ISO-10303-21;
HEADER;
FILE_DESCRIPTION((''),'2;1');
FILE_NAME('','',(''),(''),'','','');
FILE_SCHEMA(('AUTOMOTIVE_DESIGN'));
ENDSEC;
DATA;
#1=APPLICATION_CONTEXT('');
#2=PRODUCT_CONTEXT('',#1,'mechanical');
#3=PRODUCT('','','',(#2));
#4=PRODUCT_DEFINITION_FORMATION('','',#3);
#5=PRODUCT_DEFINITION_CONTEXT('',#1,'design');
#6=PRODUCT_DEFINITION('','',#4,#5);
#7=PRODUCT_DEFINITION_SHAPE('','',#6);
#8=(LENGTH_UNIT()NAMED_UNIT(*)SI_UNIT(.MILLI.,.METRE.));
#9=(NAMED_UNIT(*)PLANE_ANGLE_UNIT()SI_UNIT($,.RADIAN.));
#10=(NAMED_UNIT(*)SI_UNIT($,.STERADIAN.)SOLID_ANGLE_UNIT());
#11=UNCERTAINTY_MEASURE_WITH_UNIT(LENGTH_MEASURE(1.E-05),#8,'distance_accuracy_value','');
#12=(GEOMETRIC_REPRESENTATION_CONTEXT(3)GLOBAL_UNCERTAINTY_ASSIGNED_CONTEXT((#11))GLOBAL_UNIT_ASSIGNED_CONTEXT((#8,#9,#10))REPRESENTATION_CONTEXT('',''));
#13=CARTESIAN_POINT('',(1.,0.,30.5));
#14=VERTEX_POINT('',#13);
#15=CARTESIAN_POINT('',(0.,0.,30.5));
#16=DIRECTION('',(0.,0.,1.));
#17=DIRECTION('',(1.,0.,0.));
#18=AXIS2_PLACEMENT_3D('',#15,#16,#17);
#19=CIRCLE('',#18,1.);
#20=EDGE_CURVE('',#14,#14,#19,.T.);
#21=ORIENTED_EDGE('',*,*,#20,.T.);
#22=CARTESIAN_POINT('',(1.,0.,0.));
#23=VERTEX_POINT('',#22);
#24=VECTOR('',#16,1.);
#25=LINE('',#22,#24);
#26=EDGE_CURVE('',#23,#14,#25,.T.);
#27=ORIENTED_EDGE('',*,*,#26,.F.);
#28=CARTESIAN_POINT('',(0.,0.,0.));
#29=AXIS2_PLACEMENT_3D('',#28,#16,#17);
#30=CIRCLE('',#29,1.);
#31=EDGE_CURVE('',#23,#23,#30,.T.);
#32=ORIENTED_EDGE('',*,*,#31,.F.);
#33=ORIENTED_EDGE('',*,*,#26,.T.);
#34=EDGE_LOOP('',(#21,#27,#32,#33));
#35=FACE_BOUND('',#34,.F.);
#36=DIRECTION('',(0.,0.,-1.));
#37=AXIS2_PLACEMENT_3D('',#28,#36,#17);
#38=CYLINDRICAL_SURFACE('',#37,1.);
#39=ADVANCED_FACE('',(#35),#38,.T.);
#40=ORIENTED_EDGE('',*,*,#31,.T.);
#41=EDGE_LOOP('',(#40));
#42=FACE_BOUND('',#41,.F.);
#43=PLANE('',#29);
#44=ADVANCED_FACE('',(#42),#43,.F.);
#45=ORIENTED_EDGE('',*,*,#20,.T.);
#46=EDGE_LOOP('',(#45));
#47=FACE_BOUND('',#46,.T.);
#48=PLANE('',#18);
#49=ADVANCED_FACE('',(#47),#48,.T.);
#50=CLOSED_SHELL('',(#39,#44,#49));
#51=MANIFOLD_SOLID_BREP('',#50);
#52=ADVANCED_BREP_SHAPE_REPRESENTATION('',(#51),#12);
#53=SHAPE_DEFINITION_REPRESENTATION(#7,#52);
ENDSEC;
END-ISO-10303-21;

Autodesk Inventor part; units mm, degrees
ref_plane "YZ Plane" through (0, 0, 0) normal (1, 0, 0) x (0, 1, 0)
ref_plane "XZ Plane" through (0, 0, 0) normal (0, 1, 0) x (-1, 0, 0)
ref_plane "XY Plane" through (0, 0, 0) normal (0, 0, 1) x (1, 0, 0)
sketch "Sketch1" plane through (0, 0, 0) normal (0, 0, 1) x (1, 0, 0)
  circle A0 centre (0, 0) radius 1
  dimension "d0" = 2
extrude "Extrusion1" add sketch "Sketch1" along normal blind 30.5
properties part number "направляющая" material "Stainless Steel"
